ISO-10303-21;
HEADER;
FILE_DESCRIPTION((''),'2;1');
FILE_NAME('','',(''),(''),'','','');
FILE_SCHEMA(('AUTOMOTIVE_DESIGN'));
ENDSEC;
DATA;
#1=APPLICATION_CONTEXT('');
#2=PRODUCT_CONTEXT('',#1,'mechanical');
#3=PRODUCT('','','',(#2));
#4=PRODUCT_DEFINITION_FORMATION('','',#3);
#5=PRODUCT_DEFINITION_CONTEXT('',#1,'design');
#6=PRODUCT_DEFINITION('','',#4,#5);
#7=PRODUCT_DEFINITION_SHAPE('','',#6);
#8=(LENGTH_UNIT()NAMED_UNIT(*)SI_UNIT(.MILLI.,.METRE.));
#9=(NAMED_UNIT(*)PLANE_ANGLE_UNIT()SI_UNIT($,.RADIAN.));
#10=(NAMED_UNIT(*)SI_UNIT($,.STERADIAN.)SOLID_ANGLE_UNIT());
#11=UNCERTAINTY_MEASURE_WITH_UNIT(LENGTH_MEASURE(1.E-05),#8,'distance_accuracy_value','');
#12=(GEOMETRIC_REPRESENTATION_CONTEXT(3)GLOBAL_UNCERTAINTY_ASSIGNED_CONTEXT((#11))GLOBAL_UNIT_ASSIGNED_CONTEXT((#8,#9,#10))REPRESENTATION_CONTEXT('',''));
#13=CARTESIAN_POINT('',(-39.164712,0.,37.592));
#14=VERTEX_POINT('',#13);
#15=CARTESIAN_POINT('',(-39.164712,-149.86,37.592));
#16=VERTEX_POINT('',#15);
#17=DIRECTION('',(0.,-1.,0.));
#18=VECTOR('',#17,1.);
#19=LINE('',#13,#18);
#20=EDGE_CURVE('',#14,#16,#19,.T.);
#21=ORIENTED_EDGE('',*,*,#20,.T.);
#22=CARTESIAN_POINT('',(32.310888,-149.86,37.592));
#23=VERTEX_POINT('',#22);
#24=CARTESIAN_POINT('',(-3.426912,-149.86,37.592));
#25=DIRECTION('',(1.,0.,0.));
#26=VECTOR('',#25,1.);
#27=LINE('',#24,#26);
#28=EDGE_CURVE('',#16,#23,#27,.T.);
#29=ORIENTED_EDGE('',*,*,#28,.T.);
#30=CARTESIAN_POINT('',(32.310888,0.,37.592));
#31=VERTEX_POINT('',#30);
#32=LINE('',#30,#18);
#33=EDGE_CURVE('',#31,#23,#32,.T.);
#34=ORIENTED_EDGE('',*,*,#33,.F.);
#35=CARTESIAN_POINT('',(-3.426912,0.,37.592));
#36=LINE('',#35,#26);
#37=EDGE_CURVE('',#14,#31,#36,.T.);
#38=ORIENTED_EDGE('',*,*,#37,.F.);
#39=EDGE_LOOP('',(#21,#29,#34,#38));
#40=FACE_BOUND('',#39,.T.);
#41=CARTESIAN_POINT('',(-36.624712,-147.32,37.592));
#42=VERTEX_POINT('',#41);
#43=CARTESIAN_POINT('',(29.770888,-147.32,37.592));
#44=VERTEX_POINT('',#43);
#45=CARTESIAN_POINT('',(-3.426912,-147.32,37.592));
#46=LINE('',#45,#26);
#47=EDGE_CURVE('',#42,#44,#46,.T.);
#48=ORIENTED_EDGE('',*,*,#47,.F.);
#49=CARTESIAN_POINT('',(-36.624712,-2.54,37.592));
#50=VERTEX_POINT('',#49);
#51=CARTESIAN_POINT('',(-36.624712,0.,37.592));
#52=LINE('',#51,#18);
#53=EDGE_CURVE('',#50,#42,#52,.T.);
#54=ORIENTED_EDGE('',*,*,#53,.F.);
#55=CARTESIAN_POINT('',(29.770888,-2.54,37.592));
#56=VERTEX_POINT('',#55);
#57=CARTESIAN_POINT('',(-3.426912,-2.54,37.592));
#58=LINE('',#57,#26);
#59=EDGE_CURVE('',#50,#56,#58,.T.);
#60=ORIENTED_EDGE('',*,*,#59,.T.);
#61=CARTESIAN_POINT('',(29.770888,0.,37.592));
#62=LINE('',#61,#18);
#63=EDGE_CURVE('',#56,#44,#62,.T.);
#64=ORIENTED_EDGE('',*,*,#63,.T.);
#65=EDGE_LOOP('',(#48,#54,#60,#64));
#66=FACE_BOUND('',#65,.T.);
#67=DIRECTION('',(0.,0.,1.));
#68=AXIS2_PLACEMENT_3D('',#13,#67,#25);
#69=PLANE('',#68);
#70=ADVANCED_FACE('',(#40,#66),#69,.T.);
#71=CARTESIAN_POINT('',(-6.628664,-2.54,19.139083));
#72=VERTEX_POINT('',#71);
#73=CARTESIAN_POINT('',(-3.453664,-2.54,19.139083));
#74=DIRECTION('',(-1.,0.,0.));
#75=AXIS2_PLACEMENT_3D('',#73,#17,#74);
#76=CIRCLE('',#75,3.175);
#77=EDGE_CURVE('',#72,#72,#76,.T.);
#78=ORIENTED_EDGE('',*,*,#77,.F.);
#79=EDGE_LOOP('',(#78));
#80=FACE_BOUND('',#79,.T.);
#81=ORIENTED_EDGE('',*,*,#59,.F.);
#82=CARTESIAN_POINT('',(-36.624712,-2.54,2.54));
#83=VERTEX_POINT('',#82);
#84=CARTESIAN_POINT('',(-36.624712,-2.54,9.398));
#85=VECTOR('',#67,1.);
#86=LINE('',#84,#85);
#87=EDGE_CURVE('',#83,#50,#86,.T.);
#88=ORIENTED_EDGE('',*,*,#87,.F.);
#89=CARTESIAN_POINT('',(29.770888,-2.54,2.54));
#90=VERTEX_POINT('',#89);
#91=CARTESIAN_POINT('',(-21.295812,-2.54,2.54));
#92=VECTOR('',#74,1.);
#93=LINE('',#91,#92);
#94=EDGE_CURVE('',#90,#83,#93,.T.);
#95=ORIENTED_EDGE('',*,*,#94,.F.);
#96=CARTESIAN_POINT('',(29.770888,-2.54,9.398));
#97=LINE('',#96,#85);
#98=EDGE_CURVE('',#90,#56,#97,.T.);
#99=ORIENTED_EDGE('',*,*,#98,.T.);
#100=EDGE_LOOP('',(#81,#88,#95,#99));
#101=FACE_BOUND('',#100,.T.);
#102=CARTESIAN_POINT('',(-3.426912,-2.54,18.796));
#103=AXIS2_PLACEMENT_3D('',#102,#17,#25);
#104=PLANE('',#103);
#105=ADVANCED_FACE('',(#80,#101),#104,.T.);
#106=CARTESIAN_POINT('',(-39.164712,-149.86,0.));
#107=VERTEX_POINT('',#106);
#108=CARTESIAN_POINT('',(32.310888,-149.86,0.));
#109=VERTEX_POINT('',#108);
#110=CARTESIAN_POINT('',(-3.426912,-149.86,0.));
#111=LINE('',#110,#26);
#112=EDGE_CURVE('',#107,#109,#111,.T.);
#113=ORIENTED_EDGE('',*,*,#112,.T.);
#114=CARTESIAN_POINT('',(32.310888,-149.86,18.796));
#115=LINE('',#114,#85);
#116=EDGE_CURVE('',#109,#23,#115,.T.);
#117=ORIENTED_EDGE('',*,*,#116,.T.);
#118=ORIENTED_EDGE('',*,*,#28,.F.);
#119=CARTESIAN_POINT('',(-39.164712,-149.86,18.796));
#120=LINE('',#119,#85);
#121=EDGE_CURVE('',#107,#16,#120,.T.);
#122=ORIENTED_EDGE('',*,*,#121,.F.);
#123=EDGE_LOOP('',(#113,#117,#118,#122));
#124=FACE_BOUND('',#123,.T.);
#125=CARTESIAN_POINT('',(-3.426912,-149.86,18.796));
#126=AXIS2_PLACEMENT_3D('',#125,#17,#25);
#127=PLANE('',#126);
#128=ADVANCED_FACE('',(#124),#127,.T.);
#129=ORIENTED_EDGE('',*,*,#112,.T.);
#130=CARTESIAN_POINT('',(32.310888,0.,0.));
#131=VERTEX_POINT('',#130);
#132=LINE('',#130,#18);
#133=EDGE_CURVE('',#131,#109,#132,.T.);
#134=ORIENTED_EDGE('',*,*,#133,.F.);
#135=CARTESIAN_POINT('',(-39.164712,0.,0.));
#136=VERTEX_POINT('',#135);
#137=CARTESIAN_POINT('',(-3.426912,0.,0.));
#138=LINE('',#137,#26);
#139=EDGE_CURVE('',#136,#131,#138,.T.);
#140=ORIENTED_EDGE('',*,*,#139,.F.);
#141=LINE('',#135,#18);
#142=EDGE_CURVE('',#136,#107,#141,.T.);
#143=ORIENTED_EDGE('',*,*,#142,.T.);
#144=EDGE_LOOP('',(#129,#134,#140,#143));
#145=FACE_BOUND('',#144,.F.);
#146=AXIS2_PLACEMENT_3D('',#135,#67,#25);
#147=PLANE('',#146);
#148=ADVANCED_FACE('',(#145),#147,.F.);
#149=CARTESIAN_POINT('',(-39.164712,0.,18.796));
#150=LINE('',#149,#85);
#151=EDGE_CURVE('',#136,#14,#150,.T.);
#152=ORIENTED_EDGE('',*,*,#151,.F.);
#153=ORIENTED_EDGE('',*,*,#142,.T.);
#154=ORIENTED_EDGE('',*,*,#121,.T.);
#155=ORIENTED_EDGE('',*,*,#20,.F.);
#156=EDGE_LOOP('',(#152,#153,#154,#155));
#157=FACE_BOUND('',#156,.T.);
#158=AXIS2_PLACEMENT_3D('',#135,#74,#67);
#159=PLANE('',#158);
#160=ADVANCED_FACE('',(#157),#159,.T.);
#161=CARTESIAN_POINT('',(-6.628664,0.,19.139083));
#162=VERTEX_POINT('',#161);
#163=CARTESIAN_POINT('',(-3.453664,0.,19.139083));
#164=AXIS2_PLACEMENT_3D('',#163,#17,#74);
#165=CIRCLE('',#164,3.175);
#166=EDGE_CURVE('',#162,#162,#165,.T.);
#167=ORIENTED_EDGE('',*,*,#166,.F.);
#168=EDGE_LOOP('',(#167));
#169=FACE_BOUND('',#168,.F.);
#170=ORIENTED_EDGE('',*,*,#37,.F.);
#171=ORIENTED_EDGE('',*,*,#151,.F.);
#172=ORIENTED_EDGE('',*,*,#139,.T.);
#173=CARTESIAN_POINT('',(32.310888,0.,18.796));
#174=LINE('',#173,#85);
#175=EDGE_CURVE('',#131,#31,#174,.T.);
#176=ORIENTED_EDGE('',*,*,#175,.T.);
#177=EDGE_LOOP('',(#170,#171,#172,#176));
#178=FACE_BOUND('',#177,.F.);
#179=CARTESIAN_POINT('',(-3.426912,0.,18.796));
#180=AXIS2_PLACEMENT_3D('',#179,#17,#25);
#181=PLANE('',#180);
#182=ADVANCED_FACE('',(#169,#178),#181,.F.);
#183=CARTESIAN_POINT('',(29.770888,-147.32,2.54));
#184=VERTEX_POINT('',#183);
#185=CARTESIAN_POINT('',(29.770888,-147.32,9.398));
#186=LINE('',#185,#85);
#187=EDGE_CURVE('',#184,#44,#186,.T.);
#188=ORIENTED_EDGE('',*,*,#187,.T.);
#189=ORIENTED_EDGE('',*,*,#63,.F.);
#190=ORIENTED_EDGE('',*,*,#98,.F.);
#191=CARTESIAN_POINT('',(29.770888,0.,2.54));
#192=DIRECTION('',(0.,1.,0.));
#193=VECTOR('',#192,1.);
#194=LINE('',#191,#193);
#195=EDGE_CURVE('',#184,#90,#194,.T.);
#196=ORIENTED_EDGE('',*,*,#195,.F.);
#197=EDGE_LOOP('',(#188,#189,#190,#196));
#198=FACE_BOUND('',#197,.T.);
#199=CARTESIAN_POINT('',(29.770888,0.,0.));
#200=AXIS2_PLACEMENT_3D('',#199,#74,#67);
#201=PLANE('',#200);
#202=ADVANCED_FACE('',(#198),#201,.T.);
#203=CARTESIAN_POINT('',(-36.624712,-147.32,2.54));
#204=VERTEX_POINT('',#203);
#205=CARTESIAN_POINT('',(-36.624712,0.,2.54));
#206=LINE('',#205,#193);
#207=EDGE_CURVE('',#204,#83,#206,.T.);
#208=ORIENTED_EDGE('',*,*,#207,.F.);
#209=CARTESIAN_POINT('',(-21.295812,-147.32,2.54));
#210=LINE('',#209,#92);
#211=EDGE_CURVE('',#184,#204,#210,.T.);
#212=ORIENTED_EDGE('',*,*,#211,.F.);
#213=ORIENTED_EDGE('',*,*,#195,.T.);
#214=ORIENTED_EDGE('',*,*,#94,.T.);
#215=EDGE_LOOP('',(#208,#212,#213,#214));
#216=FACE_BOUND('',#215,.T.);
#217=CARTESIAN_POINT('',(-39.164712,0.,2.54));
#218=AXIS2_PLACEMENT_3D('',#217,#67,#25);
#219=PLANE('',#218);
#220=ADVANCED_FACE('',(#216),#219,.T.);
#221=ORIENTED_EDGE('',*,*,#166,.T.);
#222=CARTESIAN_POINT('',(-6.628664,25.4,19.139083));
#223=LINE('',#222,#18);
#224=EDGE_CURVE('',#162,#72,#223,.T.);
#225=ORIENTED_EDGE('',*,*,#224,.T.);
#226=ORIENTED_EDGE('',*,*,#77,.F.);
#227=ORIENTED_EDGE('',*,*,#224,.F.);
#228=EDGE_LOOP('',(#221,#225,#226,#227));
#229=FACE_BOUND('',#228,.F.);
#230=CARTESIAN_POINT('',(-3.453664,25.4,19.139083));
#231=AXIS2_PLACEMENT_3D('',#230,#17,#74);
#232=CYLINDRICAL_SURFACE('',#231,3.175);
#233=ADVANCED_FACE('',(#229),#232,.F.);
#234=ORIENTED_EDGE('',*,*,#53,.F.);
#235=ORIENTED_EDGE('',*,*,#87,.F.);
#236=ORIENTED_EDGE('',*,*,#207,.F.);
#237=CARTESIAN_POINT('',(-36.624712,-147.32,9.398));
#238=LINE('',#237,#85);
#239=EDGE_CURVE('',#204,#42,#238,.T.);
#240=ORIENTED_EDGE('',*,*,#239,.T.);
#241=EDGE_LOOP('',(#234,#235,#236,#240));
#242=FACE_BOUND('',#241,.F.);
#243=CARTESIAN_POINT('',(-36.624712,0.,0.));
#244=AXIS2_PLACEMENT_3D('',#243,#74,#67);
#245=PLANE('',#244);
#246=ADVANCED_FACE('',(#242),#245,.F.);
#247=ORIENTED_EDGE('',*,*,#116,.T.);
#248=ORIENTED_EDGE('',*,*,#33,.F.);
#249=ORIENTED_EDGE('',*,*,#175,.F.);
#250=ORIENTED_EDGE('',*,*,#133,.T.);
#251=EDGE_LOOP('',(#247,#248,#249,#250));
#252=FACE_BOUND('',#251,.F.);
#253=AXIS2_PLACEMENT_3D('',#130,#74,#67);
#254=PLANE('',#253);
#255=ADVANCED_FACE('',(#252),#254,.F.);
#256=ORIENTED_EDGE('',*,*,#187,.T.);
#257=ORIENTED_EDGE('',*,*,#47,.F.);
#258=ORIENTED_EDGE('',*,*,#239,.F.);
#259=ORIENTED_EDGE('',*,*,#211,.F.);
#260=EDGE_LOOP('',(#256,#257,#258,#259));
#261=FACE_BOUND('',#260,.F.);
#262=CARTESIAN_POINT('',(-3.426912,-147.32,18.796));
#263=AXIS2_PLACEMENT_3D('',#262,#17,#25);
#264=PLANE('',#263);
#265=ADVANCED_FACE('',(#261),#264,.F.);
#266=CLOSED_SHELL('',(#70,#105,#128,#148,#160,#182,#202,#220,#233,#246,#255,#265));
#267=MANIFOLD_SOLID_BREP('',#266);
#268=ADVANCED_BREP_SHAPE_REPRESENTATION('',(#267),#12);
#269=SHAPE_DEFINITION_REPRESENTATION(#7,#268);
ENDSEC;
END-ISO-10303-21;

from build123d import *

# Parameters (mm, degrees)
F0_W     = 71.4756
F0_H     = 37.592
F1_DEPTH = 149.86
F2_T     = -2.54
F4_D     = 6.35
F4_DEPTH = 25.4
F4_TIP   = 1.9077324654


with BuildPart() as f1:
    # F0 (on Front) → F1 (new body)
    with BuildSketch(Plane.XZ):
        with Locations((-3.4269116563, 18.796)):
            Rectangle(F0_W, F0_H)
    extrude(amount=F1_DEPTH)

    # F2
    f2_openings = [f1.faces().sort_by_distance(p)[0] for p in [
        (-3.426912, -74.93, 37.592),
    ]]
    offset(amount=F2_T, openings=f2_openings)

    # F4
    with Locations(Plane(origin=(0, 0, 0), x_dir=(1, 0, 0), z_dir=(0, 1, 0))):
        with Locations((-3.4536644816, -19.1390831023)):
            Hole(F4_D / 2, depth=F4_DEPTH)
            with Locations((0, 0, -(F4_DEPTH + F4_TIP / 2))):  # 118° drill point
                Cone(0, F4_D / 2, F4_TIP, mode=Mode.SUBTRACT)


solid = f1.part
